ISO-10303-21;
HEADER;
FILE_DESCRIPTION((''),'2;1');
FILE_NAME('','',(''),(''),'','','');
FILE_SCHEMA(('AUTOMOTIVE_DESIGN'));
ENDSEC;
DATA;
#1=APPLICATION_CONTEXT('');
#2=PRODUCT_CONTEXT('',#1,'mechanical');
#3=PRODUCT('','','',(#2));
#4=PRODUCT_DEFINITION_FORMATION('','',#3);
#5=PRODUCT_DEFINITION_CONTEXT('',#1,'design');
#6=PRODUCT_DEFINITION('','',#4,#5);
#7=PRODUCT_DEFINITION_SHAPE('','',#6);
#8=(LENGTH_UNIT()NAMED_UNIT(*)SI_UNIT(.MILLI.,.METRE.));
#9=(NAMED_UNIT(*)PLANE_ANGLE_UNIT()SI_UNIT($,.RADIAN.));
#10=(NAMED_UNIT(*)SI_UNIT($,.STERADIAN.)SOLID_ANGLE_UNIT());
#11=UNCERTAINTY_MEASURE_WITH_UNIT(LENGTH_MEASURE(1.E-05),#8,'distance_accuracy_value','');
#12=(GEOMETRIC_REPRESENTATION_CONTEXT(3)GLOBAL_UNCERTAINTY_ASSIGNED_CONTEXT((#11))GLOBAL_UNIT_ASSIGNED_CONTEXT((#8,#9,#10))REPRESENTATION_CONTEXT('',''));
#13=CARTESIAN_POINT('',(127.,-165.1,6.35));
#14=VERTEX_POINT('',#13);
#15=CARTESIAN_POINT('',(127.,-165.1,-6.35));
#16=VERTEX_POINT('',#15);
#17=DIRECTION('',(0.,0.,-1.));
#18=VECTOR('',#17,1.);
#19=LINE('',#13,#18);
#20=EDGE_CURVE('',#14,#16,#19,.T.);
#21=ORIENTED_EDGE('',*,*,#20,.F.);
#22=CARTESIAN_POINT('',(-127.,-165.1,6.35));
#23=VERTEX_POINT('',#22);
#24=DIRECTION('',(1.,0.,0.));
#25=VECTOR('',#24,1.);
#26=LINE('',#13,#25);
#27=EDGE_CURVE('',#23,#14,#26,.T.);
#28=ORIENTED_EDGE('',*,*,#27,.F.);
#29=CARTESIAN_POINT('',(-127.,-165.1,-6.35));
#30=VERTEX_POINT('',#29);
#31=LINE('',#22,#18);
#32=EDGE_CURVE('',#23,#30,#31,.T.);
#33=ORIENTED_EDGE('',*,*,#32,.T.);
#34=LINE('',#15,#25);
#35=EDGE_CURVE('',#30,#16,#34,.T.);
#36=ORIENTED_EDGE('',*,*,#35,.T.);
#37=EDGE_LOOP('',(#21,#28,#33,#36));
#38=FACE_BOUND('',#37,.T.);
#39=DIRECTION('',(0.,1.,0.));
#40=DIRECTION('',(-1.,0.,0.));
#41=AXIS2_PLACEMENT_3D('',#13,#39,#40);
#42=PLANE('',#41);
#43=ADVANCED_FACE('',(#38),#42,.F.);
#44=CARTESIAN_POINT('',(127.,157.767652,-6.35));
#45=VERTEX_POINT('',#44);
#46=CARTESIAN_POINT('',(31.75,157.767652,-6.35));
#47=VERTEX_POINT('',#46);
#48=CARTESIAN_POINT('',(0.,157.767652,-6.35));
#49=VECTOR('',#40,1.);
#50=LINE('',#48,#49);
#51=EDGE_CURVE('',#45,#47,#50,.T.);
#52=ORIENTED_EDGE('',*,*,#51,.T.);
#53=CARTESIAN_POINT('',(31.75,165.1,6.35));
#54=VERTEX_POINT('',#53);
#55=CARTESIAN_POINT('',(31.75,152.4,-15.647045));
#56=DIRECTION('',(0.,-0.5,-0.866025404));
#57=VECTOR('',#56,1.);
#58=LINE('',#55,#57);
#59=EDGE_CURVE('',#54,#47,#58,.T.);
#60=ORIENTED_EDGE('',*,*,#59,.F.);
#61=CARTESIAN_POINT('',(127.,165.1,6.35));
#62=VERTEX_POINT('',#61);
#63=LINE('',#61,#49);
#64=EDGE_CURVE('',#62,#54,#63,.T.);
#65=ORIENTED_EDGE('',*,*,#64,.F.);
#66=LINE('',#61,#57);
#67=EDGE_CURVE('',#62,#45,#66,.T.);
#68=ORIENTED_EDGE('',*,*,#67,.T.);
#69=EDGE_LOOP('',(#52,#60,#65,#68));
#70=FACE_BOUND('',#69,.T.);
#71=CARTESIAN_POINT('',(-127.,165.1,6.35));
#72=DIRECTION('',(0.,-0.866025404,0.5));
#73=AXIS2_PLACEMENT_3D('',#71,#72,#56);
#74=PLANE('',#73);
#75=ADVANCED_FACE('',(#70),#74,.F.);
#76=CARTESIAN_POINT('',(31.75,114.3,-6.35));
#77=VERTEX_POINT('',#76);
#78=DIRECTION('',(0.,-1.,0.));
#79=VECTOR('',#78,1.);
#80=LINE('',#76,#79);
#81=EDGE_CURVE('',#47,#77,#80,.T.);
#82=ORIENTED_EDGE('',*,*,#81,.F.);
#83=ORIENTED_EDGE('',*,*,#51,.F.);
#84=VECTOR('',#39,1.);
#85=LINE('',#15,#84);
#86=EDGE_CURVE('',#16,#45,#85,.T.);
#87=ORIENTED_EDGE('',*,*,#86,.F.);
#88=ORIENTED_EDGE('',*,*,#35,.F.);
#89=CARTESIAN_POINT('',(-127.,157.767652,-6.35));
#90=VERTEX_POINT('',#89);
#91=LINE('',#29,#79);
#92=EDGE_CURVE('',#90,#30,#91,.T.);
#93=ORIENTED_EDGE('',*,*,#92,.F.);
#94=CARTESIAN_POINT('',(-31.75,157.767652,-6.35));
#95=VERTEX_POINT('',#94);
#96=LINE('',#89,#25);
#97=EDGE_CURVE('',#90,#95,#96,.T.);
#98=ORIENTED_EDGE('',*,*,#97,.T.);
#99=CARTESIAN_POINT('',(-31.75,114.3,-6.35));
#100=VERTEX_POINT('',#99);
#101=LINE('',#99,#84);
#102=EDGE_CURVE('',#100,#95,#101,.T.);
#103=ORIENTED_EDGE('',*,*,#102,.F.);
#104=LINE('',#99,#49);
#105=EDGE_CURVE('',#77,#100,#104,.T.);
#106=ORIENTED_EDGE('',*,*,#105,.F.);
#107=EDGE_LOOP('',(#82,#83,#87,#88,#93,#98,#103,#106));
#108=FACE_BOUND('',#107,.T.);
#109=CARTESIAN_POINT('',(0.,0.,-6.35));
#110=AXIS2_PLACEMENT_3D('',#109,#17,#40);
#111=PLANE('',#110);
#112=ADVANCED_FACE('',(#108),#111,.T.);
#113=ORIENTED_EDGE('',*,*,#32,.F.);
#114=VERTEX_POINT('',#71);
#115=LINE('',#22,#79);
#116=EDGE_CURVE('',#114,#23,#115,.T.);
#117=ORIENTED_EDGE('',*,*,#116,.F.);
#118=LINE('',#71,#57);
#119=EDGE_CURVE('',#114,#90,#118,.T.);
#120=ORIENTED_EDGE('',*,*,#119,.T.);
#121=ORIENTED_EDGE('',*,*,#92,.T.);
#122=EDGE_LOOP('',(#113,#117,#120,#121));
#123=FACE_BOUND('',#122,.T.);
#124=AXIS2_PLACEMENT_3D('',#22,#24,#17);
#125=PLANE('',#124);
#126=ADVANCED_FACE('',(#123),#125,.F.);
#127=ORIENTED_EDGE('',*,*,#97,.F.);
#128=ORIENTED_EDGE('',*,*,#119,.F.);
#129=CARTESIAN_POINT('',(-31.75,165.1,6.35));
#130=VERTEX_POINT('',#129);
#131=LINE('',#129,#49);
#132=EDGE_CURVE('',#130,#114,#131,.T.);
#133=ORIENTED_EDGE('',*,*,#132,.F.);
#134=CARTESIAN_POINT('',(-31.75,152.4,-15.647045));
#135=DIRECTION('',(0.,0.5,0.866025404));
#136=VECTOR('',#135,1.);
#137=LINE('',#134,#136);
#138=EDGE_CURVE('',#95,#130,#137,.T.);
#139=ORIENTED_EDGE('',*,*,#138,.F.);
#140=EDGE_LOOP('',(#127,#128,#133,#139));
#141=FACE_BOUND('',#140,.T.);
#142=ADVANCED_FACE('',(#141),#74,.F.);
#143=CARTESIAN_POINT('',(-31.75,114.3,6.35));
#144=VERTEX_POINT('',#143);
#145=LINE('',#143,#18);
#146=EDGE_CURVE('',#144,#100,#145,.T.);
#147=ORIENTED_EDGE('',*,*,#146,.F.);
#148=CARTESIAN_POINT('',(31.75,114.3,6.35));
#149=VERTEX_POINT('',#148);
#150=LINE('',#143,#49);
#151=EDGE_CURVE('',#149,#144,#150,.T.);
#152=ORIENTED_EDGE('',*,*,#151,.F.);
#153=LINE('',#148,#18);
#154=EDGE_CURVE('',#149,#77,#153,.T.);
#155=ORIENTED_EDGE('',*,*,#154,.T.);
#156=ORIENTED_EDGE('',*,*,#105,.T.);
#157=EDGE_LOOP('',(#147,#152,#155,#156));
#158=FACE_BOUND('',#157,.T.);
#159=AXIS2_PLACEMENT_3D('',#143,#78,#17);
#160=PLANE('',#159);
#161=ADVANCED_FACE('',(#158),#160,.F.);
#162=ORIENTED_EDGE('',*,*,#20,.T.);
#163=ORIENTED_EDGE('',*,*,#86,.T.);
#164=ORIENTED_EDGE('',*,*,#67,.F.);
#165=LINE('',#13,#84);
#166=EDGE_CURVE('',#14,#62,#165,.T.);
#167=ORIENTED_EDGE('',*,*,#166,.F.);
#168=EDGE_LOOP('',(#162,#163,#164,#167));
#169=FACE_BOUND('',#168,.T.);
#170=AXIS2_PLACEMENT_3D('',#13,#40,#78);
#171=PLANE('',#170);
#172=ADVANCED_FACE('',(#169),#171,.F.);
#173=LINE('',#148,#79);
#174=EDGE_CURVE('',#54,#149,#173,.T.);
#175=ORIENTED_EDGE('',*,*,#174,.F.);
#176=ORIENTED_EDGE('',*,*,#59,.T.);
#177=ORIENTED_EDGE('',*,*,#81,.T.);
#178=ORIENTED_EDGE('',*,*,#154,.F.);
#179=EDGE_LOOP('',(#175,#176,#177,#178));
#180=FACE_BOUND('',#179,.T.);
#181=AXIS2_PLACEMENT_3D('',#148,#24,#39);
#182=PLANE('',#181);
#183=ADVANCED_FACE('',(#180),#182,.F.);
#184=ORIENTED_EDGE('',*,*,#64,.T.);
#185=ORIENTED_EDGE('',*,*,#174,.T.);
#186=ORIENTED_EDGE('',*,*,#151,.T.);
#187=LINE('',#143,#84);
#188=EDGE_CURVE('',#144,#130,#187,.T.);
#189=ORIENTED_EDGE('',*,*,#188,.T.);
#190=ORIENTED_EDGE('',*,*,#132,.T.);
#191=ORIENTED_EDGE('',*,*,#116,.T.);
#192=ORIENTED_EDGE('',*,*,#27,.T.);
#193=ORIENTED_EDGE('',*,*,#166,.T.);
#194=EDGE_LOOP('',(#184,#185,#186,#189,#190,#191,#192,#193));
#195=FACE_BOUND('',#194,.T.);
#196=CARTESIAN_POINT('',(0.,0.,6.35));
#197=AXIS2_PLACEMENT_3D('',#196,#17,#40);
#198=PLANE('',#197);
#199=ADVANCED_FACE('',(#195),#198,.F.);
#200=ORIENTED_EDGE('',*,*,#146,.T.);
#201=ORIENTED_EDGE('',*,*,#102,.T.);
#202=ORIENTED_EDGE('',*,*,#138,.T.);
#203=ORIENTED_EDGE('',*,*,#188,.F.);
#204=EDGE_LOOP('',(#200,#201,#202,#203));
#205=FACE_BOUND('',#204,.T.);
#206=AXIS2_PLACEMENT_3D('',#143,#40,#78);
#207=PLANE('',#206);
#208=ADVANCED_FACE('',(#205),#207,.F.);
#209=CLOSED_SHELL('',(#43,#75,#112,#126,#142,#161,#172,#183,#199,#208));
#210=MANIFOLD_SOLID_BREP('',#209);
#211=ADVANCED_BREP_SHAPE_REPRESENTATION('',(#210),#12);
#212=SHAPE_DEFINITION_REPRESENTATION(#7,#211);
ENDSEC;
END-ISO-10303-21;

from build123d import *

# Parameters (mm, degrees)
BOSS_EXTRUDE1_DEPTH = 6.35
CUT_EXTRUDE1_DEPTH  = 127


with BuildPart() as part:
    # Sketch1 → Boss-Extrude1 (new, symmetric)
    with BuildSketch(Plane.XY):
        Polygon((127, -165.1), (-127, -165.1), (-127, 165.1), (-31.75, 165.1), (-31.75, 114.3), (31.75, 114.3), (31.75, 165.1), (127, 165.1), align=None)
    extrude(amount=BOSS_EXTRUDE1_DEPTH, both=True)

    # Sketch2 → Cut-Extrude1 (cut, symmetric)
    with BuildSketch(Plane(origin=(0, 0, 0), x_dir=(0, 0, -1), z_dir=(1, 0, 0))):
        Polygon((-6.35, 165.1), (6.35, 165.1), (6.35, 157.767651581), align=None)
    extrude(amount=CUT_EXTRUDE1_DEPTH, both=True, mode=Mode.SUBTRACT)


solid = part.part
